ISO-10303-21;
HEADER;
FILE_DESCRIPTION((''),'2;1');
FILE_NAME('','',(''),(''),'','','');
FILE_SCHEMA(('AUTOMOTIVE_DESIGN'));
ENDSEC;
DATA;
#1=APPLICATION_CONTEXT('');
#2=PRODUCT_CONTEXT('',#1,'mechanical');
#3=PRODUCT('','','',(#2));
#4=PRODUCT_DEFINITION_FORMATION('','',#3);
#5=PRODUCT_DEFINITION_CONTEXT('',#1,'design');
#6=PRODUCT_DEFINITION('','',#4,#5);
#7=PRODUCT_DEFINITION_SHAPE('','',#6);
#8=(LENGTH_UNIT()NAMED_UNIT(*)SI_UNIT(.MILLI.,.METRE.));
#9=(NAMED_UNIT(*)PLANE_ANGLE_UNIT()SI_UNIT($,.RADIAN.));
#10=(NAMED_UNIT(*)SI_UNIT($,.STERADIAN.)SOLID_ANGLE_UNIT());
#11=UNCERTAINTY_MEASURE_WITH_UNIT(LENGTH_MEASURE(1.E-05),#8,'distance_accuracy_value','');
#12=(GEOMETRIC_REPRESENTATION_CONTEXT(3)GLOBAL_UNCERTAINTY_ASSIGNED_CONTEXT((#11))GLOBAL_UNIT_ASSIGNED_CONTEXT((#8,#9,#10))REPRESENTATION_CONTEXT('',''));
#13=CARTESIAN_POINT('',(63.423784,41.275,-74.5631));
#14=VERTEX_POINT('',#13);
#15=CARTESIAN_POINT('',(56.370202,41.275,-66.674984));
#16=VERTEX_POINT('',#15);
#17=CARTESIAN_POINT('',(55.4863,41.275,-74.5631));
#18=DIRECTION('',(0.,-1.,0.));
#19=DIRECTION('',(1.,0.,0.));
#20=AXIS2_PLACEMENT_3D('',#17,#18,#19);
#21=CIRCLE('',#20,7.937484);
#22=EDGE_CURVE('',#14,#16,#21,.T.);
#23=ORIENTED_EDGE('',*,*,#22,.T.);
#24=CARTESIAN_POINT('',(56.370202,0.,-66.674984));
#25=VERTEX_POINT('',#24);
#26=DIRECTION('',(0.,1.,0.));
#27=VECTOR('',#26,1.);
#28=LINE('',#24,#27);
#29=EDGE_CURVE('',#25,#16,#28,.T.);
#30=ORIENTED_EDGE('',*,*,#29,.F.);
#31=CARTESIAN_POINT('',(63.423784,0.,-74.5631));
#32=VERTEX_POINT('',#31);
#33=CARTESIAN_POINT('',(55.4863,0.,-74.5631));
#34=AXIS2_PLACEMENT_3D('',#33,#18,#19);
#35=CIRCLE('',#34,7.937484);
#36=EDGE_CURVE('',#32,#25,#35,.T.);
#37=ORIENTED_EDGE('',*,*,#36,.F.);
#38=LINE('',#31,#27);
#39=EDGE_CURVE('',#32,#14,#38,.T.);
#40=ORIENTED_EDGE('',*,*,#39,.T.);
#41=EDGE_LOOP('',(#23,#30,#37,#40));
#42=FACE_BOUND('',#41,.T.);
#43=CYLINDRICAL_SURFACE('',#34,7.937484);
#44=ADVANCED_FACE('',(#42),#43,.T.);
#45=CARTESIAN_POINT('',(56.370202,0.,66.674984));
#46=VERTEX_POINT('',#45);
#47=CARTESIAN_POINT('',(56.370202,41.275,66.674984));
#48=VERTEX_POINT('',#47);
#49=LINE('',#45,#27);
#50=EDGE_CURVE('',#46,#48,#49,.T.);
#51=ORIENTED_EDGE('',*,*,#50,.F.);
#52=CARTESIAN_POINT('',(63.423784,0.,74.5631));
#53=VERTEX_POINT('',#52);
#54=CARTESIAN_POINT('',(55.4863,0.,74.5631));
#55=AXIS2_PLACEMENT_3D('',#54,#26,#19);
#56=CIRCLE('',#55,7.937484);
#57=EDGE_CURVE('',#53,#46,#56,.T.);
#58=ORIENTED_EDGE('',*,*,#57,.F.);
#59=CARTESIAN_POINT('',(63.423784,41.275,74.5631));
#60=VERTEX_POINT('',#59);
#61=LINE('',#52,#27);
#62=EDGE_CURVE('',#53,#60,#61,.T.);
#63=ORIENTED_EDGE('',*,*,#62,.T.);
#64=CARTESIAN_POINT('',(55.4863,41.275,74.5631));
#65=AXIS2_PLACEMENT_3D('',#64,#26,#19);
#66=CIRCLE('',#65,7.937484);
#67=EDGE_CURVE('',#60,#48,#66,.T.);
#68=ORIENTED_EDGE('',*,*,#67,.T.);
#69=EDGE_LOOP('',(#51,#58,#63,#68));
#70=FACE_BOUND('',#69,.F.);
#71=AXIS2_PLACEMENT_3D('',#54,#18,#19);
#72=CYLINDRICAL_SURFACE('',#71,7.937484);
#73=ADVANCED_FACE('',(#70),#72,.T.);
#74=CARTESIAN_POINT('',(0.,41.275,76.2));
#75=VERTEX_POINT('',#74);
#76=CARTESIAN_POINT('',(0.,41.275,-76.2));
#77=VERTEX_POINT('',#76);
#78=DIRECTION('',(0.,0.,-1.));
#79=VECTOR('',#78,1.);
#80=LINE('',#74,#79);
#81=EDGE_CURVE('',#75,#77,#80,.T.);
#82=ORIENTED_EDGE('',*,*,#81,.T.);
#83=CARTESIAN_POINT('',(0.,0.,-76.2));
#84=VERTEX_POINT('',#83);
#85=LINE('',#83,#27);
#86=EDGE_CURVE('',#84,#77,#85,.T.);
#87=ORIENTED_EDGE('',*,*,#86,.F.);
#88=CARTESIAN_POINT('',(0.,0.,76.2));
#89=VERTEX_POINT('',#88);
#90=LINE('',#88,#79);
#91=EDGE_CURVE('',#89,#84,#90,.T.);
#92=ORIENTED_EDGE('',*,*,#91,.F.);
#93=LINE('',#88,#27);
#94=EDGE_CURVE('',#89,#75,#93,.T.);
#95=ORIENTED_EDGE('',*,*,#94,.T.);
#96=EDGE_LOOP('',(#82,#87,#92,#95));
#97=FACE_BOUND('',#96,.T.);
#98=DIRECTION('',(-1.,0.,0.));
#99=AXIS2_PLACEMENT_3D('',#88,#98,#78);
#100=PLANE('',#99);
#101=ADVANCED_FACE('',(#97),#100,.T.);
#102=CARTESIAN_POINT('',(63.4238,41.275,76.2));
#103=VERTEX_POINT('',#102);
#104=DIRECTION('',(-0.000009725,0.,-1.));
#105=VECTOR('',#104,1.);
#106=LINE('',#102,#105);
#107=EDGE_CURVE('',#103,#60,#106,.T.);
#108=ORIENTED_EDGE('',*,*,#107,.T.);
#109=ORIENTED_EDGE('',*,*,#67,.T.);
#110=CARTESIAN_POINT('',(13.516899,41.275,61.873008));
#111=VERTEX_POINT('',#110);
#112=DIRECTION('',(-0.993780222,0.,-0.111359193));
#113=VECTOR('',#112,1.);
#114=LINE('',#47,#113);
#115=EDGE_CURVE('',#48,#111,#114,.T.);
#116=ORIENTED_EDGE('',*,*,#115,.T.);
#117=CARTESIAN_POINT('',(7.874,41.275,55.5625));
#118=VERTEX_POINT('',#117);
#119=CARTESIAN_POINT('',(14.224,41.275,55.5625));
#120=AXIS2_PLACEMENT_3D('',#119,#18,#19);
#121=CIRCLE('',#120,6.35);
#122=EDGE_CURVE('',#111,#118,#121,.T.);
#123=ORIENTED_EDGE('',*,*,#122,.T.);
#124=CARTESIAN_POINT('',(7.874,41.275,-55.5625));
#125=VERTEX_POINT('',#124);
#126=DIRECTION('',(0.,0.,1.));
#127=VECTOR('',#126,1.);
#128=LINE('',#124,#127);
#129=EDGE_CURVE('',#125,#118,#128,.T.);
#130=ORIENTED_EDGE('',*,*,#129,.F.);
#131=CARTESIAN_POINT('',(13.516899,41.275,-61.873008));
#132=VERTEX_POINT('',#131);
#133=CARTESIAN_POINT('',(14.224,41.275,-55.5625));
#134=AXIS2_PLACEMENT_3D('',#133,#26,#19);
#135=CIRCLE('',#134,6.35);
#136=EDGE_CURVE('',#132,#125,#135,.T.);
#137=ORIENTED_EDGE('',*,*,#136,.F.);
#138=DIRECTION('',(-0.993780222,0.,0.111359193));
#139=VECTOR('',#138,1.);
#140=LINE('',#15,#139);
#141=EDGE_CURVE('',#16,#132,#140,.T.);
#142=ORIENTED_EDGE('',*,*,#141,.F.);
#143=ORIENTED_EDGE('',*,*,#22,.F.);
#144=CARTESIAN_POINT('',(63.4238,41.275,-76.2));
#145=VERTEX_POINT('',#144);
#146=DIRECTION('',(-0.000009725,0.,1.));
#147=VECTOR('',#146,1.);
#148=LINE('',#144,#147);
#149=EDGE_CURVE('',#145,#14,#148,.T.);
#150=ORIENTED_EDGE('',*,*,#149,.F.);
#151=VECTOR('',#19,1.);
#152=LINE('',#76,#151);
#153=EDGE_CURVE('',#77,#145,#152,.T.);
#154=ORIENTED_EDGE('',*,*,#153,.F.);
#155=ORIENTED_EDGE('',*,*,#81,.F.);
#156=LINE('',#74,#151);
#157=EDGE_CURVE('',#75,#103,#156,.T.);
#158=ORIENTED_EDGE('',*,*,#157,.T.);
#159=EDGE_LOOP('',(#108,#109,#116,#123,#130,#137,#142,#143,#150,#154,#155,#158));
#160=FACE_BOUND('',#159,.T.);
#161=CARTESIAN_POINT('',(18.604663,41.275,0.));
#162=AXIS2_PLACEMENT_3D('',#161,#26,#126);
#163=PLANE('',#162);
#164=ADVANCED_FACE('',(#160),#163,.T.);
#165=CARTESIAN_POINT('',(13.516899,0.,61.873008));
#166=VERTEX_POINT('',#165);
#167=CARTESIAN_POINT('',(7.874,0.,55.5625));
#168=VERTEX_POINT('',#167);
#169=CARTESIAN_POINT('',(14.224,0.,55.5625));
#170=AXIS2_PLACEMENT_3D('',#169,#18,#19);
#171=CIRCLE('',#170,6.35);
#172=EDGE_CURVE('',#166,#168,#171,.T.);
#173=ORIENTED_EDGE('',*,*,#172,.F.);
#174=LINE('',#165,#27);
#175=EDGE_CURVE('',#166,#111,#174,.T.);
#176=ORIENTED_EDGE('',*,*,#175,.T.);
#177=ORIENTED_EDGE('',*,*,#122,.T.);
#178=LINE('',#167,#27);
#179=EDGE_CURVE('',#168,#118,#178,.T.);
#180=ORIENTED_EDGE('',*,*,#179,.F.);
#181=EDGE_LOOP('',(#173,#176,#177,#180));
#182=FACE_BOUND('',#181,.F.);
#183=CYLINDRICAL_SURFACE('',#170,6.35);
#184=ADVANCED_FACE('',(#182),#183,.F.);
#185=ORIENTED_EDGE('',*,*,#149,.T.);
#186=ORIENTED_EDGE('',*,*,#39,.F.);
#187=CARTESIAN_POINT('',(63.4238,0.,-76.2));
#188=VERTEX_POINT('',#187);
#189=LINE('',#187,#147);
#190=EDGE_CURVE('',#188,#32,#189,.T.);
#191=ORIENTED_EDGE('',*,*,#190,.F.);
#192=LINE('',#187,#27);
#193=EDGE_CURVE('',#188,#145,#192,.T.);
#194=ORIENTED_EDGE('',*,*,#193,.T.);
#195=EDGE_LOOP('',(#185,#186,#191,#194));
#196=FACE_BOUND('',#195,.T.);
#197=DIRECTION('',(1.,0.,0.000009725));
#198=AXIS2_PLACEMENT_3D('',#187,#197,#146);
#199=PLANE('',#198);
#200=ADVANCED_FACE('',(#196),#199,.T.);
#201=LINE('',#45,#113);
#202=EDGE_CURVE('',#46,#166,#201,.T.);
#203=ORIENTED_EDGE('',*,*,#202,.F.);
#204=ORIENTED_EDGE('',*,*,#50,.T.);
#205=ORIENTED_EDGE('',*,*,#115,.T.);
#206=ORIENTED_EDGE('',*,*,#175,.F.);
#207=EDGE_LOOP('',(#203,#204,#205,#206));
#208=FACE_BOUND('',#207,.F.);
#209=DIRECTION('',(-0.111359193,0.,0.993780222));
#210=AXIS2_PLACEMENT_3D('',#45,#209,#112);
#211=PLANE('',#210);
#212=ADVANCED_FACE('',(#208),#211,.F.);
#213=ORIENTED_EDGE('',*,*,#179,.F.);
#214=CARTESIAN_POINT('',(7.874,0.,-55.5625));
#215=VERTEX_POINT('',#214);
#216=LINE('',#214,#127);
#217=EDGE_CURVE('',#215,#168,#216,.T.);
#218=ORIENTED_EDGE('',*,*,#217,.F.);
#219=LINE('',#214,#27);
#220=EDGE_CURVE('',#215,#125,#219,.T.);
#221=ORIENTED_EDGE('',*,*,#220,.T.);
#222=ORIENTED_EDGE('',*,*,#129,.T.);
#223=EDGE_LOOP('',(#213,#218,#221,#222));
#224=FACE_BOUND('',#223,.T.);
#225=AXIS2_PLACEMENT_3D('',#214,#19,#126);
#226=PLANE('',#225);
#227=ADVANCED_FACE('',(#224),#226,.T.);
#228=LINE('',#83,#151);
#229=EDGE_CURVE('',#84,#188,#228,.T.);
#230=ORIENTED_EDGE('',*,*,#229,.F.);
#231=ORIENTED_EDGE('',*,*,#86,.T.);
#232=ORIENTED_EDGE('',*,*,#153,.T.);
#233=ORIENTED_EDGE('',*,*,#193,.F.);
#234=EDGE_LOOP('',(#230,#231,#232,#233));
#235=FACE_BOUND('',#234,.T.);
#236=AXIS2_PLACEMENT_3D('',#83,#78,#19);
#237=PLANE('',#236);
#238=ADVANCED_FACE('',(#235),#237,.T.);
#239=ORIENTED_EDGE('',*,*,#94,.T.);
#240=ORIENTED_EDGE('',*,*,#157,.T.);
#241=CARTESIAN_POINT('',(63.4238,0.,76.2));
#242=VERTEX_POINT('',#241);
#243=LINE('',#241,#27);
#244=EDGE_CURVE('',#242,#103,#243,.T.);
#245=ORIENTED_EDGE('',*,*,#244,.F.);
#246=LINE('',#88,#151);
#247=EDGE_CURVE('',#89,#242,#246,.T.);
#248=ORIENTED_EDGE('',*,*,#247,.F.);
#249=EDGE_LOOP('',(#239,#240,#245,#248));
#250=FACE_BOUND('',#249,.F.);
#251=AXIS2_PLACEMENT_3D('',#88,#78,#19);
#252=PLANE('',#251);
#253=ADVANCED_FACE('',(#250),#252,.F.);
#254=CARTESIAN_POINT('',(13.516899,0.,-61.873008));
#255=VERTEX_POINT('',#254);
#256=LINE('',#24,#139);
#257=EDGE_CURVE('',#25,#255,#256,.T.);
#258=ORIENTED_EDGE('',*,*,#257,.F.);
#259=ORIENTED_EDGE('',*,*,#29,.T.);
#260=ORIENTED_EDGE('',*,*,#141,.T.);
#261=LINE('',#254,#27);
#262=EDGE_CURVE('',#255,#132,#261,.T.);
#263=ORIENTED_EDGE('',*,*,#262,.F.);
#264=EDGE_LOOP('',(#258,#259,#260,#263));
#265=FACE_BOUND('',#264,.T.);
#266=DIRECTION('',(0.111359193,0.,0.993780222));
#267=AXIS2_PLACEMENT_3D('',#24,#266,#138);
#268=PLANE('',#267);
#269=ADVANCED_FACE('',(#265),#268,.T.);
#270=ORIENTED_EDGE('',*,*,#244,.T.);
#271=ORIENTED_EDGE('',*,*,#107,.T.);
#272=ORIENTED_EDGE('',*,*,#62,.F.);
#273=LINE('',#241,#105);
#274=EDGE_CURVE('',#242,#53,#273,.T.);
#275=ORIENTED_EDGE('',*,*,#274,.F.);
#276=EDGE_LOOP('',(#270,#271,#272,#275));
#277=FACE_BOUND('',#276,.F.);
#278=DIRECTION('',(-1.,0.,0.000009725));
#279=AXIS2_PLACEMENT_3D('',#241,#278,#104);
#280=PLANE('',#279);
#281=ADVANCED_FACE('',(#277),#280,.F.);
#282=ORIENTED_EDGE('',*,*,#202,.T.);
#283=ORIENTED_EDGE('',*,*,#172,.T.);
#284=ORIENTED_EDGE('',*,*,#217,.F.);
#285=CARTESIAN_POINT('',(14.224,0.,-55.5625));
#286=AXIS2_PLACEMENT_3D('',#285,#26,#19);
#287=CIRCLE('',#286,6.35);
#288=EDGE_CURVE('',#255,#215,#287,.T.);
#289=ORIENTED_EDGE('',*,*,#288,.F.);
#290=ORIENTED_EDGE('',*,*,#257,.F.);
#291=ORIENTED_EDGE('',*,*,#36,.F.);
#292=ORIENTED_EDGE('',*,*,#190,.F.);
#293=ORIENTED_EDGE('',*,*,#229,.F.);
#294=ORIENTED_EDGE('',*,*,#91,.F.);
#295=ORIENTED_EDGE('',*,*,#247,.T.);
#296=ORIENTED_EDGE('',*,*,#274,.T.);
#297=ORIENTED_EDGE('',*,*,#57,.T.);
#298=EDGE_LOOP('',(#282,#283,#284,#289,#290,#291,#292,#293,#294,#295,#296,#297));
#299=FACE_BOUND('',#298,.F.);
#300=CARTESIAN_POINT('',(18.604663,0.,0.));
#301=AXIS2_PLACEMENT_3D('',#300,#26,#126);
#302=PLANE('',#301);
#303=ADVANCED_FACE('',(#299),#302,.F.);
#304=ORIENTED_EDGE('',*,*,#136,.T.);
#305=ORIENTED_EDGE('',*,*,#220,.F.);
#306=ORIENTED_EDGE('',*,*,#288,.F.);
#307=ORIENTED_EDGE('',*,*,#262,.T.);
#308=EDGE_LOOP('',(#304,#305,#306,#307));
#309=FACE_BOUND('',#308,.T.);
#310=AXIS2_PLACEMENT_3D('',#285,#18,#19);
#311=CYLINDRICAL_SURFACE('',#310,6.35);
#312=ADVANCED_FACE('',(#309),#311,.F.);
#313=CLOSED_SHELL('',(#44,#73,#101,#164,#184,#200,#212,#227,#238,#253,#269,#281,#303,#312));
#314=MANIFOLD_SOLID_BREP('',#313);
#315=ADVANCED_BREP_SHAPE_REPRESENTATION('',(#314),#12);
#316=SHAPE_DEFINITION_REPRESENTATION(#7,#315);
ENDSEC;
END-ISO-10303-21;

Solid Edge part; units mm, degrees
sketch "Sketch1" plane through (0, 0, 0) normal (0, -1, 0) x (1, 0, 0)
  line L0 (0, 76.2) -> (63.4238, 76.2)
  line L1 (63.4238, 76.2) -> (63.4238, 74.5631)
  arc A0 (63.4238, 74.5631) -> (56.3702, 66.675) centre (55.4863, 74.5631) cw
  line L2 (56.3702, 66.675) -> (13.5169, 61.873)
  arc A1 (13.5169, 61.873) -> (7.874, 55.5625) centre (14.224, 55.5625) ccw
  line L3 (7.874, -55.5625) -> (7.874, 55.5625)
  arc A2 (13.5169, -61.873) -> (7.874, -55.5625) centre (14.224, -55.5625) cw
  line L4 (56.3702, -66.675) -> (13.5169, -61.873)
  arc A3 (63.4238, -74.5631) -> (56.3702, -66.675) centre (55.4863, -74.5631) ccw
  line L5 (63.4238, -76.2) -> (63.4238, -74.5631)
  line L6 (0, -76.2) -> (63.4238, -76.2)
  line L7 (0, 76.2) -> (0, -76.2)
  dimension "D1" = 152.4
  dimension "D2" = 63.4238
extrude "Protrusion1" add sketch "Sketch1" against normal blind 41.275
